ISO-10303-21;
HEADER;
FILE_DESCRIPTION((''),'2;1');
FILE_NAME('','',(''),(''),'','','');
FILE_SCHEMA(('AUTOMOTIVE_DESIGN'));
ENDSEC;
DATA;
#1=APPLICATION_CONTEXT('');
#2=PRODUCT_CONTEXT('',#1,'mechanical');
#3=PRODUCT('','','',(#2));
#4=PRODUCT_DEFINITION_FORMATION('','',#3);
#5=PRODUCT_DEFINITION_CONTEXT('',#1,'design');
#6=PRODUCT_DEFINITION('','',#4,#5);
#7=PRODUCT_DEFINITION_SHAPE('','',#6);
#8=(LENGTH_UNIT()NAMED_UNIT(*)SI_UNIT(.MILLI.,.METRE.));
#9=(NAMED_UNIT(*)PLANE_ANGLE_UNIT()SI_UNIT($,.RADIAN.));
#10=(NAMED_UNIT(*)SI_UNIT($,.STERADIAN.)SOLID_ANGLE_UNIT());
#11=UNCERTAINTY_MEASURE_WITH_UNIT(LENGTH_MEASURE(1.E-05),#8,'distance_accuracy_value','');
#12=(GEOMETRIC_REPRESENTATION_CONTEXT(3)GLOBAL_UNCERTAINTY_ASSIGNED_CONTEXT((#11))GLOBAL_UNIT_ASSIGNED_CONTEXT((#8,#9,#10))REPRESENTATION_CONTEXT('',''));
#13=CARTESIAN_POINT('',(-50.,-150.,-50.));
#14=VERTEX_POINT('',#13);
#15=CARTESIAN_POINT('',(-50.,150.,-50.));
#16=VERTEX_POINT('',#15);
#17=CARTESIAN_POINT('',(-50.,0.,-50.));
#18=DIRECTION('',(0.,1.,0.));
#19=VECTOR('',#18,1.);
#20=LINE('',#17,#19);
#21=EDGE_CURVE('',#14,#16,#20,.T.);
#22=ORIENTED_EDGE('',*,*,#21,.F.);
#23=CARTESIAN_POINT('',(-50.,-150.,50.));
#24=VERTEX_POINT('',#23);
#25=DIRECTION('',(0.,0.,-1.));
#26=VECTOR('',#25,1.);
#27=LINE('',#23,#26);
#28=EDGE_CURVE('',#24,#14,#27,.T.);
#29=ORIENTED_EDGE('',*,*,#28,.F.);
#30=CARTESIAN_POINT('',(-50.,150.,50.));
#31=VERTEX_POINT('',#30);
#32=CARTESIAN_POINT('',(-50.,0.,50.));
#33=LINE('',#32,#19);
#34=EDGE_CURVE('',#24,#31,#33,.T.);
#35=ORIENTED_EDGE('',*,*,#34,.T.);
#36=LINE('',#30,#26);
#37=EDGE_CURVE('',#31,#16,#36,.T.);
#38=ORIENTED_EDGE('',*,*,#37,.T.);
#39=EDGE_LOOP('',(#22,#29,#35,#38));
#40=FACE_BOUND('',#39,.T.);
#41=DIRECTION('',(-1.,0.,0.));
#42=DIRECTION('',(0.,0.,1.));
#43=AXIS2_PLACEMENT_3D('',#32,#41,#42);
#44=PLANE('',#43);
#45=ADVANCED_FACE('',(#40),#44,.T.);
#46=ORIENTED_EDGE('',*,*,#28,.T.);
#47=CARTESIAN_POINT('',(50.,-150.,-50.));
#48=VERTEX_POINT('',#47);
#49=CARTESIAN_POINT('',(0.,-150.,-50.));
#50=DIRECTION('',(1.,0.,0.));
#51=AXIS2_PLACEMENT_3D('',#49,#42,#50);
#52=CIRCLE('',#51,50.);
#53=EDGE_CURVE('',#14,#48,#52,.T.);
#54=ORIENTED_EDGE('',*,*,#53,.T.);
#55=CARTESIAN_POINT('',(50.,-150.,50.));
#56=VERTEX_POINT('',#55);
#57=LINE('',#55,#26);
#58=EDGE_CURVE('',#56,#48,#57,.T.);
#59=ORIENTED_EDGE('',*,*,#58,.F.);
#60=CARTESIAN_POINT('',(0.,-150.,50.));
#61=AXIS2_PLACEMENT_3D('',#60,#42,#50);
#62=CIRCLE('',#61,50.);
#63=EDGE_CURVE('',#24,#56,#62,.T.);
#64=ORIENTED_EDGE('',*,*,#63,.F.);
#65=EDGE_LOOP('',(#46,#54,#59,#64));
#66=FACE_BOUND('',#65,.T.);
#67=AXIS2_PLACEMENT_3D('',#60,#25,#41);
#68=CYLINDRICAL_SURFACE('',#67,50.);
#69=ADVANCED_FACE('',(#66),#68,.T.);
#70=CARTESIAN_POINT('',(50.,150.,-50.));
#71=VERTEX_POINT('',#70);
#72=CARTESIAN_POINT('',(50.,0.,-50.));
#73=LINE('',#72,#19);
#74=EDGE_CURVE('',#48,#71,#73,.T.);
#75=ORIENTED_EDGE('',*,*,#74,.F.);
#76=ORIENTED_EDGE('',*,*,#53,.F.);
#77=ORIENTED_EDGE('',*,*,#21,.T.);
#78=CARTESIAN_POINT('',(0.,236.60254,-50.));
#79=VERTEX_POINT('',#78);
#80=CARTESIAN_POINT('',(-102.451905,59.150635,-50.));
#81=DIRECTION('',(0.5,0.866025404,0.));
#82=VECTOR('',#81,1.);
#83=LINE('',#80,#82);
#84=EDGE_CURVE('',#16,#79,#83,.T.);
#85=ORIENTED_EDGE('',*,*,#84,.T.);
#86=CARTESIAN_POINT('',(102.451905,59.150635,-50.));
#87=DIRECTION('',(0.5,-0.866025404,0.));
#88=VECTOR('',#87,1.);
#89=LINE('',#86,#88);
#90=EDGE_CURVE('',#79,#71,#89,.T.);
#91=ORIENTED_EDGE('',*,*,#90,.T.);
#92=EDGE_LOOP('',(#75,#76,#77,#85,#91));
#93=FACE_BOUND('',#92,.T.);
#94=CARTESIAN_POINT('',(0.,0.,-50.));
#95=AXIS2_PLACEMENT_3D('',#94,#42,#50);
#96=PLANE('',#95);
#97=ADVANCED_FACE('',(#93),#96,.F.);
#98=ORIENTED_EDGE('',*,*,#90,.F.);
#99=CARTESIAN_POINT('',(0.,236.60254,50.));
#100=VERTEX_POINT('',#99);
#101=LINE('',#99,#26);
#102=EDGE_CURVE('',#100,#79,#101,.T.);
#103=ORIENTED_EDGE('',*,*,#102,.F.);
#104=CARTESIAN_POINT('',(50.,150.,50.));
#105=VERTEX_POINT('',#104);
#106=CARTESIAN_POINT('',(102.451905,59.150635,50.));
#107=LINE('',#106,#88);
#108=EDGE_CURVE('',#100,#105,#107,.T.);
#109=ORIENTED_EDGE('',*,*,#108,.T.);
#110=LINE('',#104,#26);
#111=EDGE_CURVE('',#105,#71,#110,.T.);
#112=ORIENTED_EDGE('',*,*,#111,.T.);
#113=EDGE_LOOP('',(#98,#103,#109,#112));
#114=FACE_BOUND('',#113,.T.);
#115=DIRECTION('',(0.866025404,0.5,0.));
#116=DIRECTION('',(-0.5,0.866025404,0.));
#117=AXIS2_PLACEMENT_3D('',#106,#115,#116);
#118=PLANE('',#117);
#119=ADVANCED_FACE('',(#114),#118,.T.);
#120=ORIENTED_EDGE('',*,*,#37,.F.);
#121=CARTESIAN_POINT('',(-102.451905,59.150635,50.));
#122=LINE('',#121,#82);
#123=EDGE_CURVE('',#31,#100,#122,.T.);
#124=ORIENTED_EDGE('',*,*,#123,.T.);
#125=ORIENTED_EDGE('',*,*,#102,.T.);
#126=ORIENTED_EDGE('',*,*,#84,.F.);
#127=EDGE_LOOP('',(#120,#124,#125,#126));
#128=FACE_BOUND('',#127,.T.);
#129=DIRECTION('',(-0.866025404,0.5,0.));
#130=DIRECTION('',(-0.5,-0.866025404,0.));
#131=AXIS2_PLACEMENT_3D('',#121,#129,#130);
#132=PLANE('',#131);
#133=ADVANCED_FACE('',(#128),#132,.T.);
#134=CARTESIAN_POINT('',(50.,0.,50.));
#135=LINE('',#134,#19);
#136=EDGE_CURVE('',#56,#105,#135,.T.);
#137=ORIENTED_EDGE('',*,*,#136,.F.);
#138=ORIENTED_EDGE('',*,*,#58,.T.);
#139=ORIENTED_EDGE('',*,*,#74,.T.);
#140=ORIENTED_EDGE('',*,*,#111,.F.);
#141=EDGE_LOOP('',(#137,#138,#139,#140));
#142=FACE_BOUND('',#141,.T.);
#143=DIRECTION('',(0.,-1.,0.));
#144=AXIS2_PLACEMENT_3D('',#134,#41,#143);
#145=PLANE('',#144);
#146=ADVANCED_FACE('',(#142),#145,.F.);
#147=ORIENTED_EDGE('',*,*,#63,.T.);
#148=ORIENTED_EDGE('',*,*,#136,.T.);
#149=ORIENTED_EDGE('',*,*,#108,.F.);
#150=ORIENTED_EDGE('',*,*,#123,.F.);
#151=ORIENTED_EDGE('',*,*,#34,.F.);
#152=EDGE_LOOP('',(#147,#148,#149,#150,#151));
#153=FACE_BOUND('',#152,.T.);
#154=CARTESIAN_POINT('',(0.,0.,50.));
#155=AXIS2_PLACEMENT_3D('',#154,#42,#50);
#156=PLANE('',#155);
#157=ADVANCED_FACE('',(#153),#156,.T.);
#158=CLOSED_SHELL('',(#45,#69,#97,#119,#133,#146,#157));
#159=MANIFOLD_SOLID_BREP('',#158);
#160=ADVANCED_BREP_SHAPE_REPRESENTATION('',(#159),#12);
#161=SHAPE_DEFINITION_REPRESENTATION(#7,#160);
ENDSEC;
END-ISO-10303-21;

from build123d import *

# Parameters (mm, degrees)
CROQUIS2_W              = 100
CROQUIS2_H              = 300
SALIENTE_EXTRUIR2_DEPTH = 50


with BuildPart() as part:
    # Croquis2 → Saliente-Extruir2 (new body, symmetric)
    with BuildSketch(Plane.XY):
        Polygon((0, 236.602540378), (50, 150), (-50, 150), align=None)
        Rectangle(CROQUIS2_W, CROQUIS2_H)
        with BuildLine():
            Line((50, -150), (-50, -150))
            ThreePointArc((-50, -150), (0, -200), (50, -150))
        make_face()
    extrude(amount=SALIENTE_EXTRUIR2_DEPTH, both=True)


solid = part.part
